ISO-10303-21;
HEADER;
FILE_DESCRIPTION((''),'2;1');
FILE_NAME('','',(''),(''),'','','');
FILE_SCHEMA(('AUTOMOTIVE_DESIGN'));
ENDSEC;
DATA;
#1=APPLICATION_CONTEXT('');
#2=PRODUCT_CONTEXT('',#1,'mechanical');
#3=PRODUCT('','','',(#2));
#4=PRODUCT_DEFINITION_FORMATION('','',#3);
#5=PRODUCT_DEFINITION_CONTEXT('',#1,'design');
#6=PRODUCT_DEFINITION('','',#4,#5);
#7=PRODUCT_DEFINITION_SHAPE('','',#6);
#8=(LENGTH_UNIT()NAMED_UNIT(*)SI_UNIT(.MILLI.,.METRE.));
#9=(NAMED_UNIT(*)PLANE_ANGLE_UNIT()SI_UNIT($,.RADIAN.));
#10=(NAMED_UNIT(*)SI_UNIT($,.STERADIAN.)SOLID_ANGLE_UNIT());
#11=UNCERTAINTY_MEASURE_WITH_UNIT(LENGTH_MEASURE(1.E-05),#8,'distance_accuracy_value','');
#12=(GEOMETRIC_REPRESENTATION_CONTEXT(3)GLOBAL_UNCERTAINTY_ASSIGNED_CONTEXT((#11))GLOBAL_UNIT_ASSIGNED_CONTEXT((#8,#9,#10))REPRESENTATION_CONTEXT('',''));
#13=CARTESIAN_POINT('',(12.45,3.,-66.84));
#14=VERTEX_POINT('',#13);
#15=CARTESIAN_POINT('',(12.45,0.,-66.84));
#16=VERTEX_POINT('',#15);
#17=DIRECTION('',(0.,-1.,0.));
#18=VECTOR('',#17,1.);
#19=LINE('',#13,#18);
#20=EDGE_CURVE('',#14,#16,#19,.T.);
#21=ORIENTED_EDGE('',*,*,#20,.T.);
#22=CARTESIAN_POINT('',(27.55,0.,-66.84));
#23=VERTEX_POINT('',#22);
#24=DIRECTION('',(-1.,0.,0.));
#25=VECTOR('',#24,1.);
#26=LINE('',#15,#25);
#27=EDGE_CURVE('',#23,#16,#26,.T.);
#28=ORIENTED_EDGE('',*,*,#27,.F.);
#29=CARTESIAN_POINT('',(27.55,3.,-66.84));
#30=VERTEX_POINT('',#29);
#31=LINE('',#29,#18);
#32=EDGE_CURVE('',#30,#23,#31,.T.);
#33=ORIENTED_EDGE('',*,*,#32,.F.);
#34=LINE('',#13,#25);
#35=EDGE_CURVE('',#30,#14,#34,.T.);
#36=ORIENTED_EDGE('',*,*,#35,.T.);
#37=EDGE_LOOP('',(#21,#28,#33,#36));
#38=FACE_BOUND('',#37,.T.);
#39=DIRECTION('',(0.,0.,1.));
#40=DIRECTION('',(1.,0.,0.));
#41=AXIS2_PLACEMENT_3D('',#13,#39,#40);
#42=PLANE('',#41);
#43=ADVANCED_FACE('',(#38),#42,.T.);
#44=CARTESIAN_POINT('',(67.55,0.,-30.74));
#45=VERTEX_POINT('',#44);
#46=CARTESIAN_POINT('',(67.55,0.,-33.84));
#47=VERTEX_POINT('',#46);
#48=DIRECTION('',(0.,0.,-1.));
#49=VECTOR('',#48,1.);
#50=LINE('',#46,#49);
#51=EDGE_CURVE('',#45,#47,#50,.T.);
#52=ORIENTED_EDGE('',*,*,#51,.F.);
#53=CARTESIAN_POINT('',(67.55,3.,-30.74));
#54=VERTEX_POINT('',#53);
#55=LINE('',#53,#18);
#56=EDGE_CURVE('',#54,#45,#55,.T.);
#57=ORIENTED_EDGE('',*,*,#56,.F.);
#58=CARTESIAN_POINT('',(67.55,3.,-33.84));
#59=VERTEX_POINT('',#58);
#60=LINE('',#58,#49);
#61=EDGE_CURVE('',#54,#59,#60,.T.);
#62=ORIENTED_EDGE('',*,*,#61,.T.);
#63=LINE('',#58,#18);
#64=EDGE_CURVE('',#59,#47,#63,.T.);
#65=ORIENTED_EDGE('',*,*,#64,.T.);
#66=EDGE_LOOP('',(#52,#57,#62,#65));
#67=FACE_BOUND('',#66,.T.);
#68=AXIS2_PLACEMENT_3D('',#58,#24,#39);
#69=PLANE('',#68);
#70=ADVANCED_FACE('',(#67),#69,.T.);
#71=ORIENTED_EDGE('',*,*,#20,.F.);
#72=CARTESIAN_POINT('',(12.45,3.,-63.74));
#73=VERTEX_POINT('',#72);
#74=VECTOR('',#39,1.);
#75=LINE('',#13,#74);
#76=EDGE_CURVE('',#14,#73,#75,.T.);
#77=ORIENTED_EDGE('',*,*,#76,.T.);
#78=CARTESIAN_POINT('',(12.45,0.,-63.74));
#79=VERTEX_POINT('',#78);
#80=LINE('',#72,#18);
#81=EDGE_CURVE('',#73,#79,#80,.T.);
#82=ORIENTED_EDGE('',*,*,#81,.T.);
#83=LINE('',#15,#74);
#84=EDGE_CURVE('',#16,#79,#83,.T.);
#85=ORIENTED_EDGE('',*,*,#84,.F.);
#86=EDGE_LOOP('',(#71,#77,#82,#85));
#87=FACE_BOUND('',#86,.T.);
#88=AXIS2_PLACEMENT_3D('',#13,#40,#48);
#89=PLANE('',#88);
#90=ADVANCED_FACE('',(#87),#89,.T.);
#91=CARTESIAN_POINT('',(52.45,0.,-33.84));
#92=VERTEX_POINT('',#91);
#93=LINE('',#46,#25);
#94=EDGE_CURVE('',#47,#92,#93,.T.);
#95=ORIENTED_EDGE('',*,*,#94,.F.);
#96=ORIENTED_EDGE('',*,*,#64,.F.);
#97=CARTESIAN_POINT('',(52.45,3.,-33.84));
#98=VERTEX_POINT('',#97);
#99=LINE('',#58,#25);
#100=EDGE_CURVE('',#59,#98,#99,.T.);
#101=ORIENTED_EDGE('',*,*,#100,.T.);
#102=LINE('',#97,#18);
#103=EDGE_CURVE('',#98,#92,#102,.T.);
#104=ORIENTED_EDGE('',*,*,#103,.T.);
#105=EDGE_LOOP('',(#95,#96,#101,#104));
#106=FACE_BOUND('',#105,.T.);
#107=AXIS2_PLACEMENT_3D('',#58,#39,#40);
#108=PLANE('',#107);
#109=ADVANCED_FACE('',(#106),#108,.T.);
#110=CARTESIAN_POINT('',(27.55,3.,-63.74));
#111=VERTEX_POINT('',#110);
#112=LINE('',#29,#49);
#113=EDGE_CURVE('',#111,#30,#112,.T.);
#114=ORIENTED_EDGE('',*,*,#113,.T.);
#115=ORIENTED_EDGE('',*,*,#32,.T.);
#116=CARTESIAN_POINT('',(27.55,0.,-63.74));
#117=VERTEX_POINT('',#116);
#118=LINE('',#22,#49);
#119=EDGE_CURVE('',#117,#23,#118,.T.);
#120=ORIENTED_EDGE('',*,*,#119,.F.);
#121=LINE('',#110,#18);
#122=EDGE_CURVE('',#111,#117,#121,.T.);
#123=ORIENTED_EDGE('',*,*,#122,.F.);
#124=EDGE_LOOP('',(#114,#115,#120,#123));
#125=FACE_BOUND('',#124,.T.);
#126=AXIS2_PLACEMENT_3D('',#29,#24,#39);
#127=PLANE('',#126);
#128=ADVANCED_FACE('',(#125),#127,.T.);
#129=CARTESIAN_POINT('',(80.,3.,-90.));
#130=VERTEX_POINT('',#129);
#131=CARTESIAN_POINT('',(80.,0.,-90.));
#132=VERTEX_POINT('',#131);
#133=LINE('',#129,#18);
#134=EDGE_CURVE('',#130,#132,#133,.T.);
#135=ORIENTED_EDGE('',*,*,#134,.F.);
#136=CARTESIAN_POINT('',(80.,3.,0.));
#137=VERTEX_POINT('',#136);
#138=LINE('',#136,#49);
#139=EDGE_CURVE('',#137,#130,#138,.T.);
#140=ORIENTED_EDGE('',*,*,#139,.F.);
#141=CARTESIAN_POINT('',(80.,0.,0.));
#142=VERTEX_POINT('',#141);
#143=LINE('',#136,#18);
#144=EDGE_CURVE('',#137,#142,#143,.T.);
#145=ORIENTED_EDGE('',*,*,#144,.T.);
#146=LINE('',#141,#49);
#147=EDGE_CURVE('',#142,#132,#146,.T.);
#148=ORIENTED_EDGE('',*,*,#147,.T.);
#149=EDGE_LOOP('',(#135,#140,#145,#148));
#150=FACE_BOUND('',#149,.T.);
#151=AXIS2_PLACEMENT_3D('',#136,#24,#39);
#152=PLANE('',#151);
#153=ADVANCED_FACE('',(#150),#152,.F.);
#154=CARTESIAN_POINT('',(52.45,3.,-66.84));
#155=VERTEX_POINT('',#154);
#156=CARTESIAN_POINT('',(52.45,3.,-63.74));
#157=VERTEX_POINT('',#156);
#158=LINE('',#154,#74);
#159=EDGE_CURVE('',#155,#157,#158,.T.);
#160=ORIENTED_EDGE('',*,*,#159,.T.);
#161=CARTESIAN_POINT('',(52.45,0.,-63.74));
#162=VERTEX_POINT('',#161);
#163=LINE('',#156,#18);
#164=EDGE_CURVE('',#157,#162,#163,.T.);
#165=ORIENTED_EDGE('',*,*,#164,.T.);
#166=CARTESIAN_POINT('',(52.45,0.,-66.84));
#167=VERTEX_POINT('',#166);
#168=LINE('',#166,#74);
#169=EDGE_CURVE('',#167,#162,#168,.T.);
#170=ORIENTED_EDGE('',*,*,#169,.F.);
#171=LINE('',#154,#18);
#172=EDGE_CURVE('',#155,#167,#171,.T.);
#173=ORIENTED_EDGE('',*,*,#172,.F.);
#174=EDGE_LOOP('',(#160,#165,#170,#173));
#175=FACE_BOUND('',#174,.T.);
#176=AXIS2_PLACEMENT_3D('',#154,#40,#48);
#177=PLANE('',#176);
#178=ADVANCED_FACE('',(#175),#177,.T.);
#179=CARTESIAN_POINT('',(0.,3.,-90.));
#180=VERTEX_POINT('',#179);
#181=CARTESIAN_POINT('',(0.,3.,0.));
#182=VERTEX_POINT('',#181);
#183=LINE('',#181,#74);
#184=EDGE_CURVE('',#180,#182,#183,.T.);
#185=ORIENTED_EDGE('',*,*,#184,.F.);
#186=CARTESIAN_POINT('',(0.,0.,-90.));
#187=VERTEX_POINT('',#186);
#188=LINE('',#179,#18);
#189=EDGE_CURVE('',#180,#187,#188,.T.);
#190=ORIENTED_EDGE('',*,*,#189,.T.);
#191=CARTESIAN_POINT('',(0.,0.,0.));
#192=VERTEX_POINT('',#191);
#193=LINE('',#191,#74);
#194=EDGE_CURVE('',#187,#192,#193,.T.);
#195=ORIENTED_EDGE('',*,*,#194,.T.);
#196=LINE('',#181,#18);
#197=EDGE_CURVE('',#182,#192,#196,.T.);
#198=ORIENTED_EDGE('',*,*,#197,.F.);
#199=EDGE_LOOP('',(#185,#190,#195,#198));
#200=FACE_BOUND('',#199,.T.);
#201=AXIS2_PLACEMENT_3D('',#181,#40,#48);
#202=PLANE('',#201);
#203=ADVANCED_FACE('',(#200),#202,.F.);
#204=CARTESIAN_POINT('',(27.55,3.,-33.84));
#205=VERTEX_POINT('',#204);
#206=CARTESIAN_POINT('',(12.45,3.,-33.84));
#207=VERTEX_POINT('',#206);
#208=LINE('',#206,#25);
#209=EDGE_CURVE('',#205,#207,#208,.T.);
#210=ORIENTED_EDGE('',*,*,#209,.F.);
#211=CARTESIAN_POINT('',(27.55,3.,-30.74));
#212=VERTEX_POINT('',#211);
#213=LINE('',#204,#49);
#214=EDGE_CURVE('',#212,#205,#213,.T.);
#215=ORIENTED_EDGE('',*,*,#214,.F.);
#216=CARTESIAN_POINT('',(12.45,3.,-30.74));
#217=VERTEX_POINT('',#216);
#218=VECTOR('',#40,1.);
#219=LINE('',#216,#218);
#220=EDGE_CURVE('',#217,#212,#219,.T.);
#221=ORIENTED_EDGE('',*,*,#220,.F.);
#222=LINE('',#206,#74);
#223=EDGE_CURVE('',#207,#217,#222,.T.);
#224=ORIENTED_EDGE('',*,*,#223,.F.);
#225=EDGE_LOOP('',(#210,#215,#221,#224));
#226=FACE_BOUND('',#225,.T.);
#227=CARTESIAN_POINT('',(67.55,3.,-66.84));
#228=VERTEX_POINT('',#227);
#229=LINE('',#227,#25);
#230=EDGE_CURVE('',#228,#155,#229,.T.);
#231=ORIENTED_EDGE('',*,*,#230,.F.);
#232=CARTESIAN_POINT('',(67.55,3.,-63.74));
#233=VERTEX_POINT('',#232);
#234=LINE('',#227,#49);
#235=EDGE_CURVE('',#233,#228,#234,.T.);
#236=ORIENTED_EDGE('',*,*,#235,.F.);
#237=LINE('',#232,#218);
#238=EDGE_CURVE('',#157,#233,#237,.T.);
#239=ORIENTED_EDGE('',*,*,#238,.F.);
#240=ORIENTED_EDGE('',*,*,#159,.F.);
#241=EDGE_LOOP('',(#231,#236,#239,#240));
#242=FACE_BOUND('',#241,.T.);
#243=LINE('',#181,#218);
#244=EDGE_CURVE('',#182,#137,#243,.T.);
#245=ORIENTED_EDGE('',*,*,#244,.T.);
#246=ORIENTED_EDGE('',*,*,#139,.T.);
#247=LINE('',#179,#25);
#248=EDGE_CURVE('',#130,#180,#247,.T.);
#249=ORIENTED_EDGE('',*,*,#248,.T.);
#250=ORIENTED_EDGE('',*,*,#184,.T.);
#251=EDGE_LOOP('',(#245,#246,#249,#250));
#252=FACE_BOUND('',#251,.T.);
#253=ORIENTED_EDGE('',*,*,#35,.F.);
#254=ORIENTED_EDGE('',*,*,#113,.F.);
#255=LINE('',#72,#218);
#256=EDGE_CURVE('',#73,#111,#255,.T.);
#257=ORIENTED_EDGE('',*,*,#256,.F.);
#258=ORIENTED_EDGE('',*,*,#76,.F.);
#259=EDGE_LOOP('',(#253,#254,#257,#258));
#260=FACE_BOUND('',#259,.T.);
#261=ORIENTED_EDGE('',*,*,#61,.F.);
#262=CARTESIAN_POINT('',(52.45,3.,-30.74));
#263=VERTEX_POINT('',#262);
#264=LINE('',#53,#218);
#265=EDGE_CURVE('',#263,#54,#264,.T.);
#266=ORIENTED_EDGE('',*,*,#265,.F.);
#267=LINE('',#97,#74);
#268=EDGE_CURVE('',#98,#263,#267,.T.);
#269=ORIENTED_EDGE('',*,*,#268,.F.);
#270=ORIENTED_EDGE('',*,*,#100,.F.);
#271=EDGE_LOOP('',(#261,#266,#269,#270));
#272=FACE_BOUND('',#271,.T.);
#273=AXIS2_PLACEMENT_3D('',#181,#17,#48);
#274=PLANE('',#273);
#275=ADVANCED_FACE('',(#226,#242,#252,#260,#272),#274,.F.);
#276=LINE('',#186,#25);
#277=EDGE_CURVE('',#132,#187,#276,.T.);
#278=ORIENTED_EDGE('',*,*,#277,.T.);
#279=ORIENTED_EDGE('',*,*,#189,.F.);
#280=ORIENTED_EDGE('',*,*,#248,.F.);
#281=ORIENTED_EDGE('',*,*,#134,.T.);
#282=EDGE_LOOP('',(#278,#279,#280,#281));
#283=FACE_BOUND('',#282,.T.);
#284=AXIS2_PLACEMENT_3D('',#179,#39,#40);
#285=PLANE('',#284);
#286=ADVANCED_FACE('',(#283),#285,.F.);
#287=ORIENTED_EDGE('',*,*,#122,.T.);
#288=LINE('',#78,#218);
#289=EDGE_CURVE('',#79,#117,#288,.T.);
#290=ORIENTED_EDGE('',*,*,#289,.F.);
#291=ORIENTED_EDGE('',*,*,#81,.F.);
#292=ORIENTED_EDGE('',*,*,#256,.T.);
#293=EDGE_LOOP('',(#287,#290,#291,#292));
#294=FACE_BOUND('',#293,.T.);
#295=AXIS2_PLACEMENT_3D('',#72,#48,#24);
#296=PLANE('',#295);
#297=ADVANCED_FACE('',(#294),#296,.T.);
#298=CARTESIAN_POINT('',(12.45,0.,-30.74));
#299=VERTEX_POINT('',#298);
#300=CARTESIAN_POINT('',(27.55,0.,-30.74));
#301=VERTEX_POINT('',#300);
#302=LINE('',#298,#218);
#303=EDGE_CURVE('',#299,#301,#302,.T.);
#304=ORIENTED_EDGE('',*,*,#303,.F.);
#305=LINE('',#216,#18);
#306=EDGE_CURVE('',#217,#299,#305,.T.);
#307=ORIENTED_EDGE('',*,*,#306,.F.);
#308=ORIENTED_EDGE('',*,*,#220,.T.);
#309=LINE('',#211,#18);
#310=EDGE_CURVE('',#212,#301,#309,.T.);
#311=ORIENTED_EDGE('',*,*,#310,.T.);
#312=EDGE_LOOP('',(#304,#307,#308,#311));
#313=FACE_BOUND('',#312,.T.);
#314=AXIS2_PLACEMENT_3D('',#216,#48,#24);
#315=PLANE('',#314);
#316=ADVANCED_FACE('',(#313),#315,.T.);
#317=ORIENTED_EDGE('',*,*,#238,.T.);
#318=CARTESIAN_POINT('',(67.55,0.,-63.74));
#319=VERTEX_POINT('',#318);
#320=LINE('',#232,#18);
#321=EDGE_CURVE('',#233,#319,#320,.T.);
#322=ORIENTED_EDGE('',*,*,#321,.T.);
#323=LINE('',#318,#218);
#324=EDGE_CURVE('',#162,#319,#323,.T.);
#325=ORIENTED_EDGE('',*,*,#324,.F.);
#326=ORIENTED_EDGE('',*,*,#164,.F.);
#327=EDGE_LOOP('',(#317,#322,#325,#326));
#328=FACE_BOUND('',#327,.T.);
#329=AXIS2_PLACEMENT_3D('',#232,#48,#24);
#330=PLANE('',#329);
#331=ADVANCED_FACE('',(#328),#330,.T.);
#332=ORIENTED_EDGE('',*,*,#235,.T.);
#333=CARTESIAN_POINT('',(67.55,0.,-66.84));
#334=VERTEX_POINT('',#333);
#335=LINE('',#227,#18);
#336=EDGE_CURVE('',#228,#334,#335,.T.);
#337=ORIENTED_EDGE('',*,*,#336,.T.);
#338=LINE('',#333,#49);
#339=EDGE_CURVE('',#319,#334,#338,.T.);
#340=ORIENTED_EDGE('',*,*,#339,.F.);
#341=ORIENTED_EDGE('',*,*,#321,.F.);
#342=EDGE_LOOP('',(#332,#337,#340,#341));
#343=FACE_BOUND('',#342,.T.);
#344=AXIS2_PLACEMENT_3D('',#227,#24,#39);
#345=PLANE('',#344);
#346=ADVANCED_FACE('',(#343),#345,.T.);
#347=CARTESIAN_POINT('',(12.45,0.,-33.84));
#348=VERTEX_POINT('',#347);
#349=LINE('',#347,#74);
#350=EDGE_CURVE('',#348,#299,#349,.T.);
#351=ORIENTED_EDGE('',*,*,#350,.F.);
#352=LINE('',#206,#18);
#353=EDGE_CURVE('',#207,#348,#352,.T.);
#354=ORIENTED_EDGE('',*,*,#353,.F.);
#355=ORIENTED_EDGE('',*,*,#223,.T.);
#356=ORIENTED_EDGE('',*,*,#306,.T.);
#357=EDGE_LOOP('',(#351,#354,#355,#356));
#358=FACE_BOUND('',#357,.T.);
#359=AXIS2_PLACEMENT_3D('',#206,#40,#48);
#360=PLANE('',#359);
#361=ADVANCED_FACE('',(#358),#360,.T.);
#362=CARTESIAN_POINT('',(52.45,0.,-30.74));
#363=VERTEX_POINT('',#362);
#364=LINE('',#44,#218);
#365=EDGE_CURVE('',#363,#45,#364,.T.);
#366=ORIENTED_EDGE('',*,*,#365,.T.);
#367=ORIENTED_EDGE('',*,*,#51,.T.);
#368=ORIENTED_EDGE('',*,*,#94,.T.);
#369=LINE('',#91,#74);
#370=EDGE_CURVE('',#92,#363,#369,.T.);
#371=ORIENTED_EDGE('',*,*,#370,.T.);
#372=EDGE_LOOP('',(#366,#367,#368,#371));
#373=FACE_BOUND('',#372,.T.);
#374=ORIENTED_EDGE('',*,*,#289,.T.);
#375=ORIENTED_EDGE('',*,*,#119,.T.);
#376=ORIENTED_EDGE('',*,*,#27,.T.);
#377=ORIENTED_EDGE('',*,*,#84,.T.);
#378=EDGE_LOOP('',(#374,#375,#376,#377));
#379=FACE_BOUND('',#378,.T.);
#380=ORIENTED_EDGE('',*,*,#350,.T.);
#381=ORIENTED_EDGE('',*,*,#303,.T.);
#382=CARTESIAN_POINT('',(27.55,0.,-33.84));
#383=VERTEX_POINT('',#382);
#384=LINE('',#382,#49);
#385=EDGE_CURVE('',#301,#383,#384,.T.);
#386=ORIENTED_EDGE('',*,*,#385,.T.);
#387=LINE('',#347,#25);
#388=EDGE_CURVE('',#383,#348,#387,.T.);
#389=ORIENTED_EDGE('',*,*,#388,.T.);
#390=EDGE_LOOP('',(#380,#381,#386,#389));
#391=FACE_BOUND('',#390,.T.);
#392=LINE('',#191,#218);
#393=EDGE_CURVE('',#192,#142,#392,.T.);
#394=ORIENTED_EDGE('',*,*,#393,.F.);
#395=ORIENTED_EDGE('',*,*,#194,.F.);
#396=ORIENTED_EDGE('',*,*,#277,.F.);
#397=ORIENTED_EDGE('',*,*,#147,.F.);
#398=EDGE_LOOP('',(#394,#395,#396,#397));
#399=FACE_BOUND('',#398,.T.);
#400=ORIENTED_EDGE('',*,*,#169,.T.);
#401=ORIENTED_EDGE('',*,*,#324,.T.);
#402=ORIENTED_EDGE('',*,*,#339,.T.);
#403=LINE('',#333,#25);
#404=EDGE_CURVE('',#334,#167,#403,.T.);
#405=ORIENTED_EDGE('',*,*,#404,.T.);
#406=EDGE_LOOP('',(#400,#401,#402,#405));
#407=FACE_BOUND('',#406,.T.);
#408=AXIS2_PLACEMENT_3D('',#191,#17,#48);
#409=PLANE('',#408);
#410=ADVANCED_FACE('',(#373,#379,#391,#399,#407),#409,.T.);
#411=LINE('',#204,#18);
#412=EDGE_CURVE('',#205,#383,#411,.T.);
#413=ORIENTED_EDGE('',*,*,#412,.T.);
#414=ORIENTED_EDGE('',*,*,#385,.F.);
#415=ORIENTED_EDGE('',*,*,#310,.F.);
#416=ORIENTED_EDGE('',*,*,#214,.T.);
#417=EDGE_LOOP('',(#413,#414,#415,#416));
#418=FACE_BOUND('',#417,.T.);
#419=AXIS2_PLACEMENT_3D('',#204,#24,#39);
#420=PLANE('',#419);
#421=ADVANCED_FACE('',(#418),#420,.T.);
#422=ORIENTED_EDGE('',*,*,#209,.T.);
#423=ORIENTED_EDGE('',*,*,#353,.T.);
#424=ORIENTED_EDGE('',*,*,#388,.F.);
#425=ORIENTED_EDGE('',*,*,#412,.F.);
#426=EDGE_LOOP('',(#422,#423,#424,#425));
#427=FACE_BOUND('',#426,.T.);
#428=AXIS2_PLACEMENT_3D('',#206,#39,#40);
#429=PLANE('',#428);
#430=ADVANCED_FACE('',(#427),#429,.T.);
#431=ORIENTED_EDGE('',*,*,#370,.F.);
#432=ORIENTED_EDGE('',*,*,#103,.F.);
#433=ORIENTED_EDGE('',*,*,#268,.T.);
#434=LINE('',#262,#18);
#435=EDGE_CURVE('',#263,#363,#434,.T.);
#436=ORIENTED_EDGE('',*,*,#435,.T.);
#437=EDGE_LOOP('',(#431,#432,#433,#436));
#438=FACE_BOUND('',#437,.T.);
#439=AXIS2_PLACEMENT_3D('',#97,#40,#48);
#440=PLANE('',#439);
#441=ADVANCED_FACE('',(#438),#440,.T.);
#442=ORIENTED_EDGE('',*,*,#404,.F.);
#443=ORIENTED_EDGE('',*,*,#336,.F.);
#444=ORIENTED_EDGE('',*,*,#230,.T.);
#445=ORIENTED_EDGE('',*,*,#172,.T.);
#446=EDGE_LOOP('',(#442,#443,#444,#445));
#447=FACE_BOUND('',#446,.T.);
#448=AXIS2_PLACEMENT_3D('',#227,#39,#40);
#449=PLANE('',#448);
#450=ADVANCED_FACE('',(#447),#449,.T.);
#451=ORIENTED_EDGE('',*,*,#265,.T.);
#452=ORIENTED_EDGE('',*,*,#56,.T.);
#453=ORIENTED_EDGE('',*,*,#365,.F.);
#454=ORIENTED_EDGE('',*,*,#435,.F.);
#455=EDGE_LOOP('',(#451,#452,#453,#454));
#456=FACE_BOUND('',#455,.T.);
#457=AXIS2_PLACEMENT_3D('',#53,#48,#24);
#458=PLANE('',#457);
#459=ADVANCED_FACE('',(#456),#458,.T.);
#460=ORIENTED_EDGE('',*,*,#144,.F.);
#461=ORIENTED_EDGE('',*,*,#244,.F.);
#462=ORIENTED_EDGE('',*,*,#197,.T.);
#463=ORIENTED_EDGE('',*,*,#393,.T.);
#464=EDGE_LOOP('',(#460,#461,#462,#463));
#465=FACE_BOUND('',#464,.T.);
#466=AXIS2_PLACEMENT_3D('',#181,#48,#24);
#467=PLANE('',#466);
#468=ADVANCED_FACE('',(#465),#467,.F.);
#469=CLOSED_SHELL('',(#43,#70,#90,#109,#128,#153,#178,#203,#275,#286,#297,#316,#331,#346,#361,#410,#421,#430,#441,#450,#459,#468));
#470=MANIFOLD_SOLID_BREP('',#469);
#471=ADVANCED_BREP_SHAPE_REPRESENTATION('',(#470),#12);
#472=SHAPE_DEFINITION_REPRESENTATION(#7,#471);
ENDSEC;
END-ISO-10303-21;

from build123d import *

# Parameters (mm, degrees)
SKETCH2_W           = 80
SKETCH2_H           = 90
SKETCH2_W_2         = 15.1
SKETCH2_H_2         = 3.1
BOSS_EXTRUDE4_DEPTH = 3


with BuildPart() as part:
    # Sketch2 → Boss-Extrude4 (new body)
    with BuildSketch(Plane(origin=(0, 0, 0), x_dir=(1, 0, 0), z_dir=(0, 1, 0))):
        with Locations((40, 45)):
            Rectangle(SKETCH2_W, SKETCH2_H)
        with Locations((20, 32.29)):
            Rectangle(SKETCH2_W_2, SKETCH2_H_2, mode=Mode.SUBTRACT)
        with Locations((20, 65.29)):
            Rectangle(SKETCH2_W_2, SKETCH2_H_2, mode=Mode.SUBTRACT)
        with Locations((60, 32.29)):
            Rectangle(SKETCH2_W_2, SKETCH2_H_2, mode=Mode.SUBTRACT)
        with Locations((60, 65.29)):
            Rectangle(SKETCH2_W_2, SKETCH2_H_2, mode=Mode.SUBTRACT)
    extrude(amount=BOSS_EXTRUDE4_DEPTH)


solid = part.part
